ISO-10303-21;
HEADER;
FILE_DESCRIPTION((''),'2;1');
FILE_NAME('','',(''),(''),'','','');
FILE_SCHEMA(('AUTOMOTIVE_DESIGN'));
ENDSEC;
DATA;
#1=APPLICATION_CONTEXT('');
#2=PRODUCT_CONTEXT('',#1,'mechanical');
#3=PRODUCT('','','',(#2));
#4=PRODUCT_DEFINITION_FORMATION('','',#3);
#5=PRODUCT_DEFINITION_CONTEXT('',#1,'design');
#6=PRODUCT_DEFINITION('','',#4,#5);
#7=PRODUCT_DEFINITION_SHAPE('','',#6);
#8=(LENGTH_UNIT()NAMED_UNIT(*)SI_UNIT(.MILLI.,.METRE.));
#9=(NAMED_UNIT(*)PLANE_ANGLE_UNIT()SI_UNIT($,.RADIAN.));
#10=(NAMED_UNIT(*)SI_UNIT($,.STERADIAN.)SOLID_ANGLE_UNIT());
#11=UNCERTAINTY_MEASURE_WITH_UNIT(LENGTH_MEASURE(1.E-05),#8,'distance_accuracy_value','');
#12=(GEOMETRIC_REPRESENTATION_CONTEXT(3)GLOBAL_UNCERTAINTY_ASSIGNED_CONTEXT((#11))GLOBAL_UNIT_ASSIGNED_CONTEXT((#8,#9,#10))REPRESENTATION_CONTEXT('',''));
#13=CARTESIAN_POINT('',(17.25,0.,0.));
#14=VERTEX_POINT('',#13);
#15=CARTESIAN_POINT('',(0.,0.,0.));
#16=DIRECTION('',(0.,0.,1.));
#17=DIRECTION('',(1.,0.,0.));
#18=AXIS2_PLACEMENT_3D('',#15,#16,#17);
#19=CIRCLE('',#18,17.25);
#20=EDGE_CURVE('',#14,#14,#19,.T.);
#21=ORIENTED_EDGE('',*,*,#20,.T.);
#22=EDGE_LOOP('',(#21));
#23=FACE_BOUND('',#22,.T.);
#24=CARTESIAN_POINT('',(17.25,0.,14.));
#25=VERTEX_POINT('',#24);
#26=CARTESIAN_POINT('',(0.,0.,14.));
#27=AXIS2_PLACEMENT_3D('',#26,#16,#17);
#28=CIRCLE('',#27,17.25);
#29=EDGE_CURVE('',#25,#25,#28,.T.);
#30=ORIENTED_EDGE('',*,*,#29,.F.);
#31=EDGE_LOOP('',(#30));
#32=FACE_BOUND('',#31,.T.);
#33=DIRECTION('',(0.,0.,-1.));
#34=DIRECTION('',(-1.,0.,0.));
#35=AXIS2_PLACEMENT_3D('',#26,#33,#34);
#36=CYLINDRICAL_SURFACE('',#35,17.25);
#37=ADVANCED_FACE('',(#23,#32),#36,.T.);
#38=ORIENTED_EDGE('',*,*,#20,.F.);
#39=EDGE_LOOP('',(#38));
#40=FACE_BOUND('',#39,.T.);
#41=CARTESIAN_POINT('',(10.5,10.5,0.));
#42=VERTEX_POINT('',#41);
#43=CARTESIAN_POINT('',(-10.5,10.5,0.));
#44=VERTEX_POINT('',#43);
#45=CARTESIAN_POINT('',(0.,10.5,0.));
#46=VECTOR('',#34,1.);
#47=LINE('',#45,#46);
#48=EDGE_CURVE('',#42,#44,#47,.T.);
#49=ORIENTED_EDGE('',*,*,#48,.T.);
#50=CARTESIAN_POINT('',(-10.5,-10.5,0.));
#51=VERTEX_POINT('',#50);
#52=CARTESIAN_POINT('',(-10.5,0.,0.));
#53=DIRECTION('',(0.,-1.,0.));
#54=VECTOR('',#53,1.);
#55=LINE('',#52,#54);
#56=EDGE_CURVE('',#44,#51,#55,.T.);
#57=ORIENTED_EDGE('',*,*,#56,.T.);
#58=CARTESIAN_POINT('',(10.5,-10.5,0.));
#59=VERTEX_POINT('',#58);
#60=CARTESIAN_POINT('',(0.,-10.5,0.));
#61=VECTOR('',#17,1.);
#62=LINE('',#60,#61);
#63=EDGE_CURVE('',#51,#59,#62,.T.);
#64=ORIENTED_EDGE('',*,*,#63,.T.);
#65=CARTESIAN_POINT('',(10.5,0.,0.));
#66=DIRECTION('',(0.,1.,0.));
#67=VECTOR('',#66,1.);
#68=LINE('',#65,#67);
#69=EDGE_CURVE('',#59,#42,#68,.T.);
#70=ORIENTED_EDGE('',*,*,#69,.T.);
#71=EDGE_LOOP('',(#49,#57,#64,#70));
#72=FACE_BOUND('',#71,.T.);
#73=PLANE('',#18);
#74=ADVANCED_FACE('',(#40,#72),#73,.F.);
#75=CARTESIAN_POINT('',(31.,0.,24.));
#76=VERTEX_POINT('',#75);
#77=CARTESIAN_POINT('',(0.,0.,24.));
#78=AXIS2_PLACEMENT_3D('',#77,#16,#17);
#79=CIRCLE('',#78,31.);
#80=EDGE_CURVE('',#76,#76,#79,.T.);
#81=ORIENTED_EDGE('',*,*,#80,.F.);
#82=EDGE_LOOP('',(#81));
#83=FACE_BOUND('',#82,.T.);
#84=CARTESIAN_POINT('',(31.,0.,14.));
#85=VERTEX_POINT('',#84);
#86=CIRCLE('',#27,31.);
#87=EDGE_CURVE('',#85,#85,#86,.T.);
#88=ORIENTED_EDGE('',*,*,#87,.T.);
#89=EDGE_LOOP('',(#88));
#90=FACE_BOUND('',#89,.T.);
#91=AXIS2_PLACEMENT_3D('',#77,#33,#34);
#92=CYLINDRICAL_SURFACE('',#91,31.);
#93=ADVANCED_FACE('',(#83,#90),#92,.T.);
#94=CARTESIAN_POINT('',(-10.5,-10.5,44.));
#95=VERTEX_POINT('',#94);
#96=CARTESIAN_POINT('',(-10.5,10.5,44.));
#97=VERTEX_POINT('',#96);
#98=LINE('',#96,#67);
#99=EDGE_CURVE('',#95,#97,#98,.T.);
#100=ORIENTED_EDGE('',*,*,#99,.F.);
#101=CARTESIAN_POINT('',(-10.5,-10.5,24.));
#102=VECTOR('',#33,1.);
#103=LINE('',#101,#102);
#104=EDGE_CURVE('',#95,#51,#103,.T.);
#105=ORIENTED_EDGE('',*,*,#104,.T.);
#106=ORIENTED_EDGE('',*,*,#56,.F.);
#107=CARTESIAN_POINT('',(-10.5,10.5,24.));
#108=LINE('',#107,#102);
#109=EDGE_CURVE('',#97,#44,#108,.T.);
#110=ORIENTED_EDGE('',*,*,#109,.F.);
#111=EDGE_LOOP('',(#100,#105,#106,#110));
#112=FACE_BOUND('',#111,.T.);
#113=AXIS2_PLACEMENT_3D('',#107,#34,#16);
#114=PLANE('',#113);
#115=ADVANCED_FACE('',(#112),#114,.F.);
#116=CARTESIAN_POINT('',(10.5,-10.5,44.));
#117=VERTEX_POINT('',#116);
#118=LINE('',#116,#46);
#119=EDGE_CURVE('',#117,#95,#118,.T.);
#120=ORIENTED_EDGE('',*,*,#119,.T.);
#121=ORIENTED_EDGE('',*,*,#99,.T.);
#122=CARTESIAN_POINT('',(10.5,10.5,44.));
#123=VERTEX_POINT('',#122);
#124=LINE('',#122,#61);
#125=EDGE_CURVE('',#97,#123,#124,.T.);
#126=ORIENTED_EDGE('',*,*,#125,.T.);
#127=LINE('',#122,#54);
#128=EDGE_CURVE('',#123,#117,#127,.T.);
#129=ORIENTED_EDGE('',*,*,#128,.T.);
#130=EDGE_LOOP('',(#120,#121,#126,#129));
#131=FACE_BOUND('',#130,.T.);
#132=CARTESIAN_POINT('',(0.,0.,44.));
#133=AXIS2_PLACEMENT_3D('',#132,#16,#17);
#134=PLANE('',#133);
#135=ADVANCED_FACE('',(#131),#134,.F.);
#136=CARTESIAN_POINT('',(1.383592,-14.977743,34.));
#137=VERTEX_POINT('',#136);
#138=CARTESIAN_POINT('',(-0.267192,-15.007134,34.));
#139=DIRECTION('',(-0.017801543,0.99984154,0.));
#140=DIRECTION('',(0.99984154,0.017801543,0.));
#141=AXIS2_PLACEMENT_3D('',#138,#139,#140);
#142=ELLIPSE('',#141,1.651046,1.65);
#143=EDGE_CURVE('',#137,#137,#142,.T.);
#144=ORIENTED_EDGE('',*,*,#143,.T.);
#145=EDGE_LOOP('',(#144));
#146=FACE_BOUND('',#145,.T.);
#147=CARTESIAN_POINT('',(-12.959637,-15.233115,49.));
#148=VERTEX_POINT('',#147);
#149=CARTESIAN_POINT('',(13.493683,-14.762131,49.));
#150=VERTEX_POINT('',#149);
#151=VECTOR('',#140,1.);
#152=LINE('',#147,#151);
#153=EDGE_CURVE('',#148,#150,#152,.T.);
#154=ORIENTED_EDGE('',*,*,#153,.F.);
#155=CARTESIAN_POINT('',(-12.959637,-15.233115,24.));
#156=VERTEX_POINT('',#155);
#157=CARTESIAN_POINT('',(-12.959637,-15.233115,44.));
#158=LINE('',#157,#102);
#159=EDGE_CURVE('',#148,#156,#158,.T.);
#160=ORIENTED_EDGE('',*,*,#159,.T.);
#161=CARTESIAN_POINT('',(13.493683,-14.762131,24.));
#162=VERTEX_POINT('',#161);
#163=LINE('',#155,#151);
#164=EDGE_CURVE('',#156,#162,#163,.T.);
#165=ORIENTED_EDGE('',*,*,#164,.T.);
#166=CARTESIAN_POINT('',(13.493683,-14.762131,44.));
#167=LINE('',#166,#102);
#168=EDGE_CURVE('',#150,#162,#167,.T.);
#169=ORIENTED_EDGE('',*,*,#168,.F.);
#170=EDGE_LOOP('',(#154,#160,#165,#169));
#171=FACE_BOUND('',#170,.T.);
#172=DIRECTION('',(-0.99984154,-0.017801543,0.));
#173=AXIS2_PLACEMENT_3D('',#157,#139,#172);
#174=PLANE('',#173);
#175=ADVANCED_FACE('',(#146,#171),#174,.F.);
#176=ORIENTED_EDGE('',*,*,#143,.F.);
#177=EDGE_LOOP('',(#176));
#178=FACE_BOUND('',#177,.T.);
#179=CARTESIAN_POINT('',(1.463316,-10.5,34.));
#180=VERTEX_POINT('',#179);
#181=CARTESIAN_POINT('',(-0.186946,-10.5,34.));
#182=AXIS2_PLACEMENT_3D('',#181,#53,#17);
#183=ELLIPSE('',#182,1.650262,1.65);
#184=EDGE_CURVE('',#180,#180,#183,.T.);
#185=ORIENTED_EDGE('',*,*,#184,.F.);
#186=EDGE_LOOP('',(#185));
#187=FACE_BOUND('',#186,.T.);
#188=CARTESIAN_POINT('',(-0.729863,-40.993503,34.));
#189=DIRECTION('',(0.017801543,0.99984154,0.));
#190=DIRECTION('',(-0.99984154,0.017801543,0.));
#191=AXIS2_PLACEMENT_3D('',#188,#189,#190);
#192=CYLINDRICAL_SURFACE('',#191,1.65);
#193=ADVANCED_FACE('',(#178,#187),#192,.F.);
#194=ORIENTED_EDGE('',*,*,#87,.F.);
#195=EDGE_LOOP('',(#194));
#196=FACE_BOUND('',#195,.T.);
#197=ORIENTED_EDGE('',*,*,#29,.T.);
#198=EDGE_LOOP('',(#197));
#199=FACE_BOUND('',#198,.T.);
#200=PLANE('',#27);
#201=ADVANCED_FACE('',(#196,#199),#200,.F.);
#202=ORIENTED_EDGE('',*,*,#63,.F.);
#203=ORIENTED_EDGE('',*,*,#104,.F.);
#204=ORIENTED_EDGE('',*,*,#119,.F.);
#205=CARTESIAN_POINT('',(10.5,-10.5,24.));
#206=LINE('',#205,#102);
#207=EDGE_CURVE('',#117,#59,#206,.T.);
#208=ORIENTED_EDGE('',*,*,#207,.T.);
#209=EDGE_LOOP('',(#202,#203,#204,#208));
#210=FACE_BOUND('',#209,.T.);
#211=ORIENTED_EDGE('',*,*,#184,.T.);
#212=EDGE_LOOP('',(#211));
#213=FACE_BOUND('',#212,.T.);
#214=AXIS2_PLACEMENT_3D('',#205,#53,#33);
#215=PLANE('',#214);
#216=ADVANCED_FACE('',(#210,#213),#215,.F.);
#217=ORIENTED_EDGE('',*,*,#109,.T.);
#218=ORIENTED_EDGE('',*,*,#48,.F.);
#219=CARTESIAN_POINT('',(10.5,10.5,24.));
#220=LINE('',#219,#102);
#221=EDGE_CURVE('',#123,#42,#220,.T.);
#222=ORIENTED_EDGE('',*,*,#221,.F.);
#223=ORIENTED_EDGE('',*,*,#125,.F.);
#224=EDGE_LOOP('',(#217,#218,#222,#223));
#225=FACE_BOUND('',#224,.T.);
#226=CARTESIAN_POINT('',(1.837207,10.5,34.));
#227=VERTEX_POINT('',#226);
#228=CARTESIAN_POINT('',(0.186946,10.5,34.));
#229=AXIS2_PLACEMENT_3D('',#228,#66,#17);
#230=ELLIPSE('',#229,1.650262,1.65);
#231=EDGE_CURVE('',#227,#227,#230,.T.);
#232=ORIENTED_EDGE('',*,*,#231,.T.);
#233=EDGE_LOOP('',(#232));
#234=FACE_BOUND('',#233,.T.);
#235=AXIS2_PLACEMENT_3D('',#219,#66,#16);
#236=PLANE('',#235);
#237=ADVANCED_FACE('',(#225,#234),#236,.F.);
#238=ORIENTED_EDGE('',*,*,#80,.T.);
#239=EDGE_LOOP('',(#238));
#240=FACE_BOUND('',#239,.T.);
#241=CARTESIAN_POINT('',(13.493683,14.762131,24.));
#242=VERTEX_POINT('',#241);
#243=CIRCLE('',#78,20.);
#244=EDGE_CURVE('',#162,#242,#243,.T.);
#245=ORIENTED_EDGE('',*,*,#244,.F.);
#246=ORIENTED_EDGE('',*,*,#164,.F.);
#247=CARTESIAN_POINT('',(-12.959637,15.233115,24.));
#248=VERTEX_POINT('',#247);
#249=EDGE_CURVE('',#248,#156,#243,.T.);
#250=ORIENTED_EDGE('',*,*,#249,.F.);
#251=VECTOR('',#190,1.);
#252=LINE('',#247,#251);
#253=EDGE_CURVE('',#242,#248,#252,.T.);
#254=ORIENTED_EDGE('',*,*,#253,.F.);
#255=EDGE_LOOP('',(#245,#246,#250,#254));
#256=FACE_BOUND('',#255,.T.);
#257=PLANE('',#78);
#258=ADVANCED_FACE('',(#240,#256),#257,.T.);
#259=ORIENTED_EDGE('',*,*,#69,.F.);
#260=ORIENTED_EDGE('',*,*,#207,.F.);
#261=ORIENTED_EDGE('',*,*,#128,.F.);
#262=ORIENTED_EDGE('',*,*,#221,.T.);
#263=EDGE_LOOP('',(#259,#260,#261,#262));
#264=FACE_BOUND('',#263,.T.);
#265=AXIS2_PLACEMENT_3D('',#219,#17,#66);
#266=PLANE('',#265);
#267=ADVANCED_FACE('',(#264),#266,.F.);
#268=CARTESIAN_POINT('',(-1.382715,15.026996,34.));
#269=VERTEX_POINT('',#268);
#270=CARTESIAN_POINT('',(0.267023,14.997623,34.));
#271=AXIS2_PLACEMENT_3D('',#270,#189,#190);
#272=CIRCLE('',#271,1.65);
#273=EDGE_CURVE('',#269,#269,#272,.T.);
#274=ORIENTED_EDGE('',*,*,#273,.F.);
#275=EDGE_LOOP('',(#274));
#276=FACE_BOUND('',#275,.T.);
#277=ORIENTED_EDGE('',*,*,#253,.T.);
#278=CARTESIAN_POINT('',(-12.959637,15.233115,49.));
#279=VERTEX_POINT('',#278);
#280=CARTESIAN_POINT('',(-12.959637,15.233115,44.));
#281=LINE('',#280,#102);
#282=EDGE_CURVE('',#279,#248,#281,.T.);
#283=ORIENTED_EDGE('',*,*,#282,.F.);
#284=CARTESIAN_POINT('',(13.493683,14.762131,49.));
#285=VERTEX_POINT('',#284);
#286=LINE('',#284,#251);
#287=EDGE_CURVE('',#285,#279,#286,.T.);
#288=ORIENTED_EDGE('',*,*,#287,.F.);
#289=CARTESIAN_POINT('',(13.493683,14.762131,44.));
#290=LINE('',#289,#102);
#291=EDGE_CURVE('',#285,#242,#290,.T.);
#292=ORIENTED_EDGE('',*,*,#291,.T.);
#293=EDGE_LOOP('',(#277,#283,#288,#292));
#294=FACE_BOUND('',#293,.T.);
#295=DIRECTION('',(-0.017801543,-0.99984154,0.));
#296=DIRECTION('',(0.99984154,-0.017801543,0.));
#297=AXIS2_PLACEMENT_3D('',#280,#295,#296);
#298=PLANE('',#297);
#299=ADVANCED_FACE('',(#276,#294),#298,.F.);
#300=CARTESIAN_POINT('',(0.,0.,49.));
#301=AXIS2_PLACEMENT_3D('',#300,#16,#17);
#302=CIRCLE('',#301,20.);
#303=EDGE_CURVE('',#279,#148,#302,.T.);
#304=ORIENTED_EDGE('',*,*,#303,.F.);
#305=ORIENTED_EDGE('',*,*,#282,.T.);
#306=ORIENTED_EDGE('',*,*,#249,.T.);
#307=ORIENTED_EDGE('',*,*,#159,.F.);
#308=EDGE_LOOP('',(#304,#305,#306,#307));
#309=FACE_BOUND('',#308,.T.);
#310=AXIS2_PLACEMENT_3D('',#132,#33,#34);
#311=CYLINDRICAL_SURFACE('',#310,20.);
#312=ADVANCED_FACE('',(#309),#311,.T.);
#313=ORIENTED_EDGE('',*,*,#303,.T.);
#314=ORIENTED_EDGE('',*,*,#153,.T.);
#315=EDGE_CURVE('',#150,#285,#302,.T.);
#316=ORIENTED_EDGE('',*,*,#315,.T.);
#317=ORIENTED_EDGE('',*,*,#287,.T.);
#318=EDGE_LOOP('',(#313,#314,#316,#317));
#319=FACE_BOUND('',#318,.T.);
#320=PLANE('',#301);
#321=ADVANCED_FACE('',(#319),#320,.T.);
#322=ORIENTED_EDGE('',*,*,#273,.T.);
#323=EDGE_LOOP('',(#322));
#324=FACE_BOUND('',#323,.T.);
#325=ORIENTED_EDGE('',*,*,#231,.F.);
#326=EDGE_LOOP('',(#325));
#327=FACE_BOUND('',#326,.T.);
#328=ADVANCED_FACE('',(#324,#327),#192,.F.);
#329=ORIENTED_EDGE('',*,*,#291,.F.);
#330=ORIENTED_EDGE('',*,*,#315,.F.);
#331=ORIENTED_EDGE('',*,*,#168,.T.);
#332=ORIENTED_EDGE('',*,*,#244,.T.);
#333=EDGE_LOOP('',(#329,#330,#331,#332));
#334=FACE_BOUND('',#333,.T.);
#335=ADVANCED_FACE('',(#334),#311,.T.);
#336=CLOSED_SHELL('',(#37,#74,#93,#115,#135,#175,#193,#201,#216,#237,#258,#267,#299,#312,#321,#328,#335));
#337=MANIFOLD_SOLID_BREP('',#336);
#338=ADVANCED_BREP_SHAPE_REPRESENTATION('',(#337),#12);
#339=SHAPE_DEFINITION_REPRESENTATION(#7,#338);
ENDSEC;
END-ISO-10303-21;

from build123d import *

# Parameters (mm, degrees)
SKETCH_1_R               = 17.25
EXTRUDE_1_DEPTH          = 14
SKETCH_2_R               = 31
EXTRUDE_2_DEPTH          = 10
CUT_EXTRUDE_1_DEPTH      = 50.979995998
CUT_EXTRUDE_1_DEPTH_BACK = 50.979995998
SKETCH_3_W               = 21
SKETCH_3_H               = 21
EXTRUDE_3_DEPTH          = 20
SKETCH_5_W               = 21
SKETCH_5_H               = 21
CUT_EXTRUDE_2_DEPTH      = 20
SKETCH_6_R               = 1.65
CUT_EXTRUDE_3_DEPTH      = 56
EXTRUDE_4_DEPTH          = 5


with BuildPart() as part:
    # 草图1 → 凸台-拉伸1 (new body)
    with BuildSketch(Plane.XY):
        Circle(SKETCH_1_R)
    extrude(amount=EXTRUDE_1_DEPTH)

    # 草图2 → 凸台-拉伸2 (add)
    with BuildSketch(Plane.XY.offset(14)):
        Circle(SKETCH_2_R)
    extrude(amount=EXTRUDE_2_DEPTH)

    # 草图3 → 切除-拉伸1 (cut, two sides: drawn at the far end of the back side and taken through both)
    with BuildSketch(Plane(origin=(0, 0, 0), x_dir=(-1, 0, 0), z_dir=(0, 0, -1)).offset(-CUT_EXTRUDE_1_DEPTH_BACK)):
        Rectangle(SKETCH_3_W, SKETCH_3_H)
    extrude(amount=CUT_EXTRUDE_1_DEPTH + CUT_EXTRUDE_1_DEPTH_BACK, mode=Mode.SUBTRACT)

    # 草图4 → 凸台-拉伸3 (add)
    with BuildSketch(Plane.XY.offset(24)):
        with BuildLine():
            Line((-12.959637187, 15.233115373), (13.493683466, 14.762130826))
            ThreePointArc((13.493683466, 14.762130826), (20, 0), (13.493683466, -14.762130826))
            Line((13.493683466, -14.762130826), (-12.959637187, -15.233115373))
            ThreePointArc((-12.959637187, -15.233115373), (-20, 0), (-12.959637187, 15.233115373))
        make_face()
    extrude(amount=EXTRUDE_3_DEPTH)

    # 草图5 → 切除-拉伸2 (cut)
    with BuildSketch(Plane(origin=(0, 0, 24), x_dir=(-1, 0, 0), z_dir=(0, 0, -1))):
        Rectangle(SKETCH_5_W, SKETCH_5_H)
    extrude(amount=-CUT_EXTRUDE_2_DEPTH, mode=Mode.SUBTRACT)

    # 草图6 → 切除-拉伸3 (cut)
    with BuildSketch(Plane(origin=(0.267023139, 14.9976231, 0), x_dir=(0.9998415399853875, -0.017801542619919335, 0), z_dir=(0.017801542619919338, 0.9998415399853876, 0))):
        with Locations((0, -34)):
            Circle(SKETCH_6_R)
    extrude(amount=-CUT_EXTRUDE_3_DEPTH, mode=Mode.SUBTRACT)

    # 草图8 → 凸台-拉伸4 (add)
    with BuildSketch(Plane.XY.offset(44)):
        with BuildLine():
            Line((-12.959637187, -15.233115373), (13.493683466, -14.762130826))
            ThreePointArc((13.493683466, -14.762130826), (20, 0), (13.493683466, 14.762130826))
            Line((13.493683466, 14.762130826), (-12.959637187, 15.233115373))
            ThreePointArc((-12.959637187, 15.233115373), (-20, 0), (-12.959637187, -15.233115373))
        make_face()
    extrude(amount=EXTRUDE_4_DEPTH)


solid = part.part
